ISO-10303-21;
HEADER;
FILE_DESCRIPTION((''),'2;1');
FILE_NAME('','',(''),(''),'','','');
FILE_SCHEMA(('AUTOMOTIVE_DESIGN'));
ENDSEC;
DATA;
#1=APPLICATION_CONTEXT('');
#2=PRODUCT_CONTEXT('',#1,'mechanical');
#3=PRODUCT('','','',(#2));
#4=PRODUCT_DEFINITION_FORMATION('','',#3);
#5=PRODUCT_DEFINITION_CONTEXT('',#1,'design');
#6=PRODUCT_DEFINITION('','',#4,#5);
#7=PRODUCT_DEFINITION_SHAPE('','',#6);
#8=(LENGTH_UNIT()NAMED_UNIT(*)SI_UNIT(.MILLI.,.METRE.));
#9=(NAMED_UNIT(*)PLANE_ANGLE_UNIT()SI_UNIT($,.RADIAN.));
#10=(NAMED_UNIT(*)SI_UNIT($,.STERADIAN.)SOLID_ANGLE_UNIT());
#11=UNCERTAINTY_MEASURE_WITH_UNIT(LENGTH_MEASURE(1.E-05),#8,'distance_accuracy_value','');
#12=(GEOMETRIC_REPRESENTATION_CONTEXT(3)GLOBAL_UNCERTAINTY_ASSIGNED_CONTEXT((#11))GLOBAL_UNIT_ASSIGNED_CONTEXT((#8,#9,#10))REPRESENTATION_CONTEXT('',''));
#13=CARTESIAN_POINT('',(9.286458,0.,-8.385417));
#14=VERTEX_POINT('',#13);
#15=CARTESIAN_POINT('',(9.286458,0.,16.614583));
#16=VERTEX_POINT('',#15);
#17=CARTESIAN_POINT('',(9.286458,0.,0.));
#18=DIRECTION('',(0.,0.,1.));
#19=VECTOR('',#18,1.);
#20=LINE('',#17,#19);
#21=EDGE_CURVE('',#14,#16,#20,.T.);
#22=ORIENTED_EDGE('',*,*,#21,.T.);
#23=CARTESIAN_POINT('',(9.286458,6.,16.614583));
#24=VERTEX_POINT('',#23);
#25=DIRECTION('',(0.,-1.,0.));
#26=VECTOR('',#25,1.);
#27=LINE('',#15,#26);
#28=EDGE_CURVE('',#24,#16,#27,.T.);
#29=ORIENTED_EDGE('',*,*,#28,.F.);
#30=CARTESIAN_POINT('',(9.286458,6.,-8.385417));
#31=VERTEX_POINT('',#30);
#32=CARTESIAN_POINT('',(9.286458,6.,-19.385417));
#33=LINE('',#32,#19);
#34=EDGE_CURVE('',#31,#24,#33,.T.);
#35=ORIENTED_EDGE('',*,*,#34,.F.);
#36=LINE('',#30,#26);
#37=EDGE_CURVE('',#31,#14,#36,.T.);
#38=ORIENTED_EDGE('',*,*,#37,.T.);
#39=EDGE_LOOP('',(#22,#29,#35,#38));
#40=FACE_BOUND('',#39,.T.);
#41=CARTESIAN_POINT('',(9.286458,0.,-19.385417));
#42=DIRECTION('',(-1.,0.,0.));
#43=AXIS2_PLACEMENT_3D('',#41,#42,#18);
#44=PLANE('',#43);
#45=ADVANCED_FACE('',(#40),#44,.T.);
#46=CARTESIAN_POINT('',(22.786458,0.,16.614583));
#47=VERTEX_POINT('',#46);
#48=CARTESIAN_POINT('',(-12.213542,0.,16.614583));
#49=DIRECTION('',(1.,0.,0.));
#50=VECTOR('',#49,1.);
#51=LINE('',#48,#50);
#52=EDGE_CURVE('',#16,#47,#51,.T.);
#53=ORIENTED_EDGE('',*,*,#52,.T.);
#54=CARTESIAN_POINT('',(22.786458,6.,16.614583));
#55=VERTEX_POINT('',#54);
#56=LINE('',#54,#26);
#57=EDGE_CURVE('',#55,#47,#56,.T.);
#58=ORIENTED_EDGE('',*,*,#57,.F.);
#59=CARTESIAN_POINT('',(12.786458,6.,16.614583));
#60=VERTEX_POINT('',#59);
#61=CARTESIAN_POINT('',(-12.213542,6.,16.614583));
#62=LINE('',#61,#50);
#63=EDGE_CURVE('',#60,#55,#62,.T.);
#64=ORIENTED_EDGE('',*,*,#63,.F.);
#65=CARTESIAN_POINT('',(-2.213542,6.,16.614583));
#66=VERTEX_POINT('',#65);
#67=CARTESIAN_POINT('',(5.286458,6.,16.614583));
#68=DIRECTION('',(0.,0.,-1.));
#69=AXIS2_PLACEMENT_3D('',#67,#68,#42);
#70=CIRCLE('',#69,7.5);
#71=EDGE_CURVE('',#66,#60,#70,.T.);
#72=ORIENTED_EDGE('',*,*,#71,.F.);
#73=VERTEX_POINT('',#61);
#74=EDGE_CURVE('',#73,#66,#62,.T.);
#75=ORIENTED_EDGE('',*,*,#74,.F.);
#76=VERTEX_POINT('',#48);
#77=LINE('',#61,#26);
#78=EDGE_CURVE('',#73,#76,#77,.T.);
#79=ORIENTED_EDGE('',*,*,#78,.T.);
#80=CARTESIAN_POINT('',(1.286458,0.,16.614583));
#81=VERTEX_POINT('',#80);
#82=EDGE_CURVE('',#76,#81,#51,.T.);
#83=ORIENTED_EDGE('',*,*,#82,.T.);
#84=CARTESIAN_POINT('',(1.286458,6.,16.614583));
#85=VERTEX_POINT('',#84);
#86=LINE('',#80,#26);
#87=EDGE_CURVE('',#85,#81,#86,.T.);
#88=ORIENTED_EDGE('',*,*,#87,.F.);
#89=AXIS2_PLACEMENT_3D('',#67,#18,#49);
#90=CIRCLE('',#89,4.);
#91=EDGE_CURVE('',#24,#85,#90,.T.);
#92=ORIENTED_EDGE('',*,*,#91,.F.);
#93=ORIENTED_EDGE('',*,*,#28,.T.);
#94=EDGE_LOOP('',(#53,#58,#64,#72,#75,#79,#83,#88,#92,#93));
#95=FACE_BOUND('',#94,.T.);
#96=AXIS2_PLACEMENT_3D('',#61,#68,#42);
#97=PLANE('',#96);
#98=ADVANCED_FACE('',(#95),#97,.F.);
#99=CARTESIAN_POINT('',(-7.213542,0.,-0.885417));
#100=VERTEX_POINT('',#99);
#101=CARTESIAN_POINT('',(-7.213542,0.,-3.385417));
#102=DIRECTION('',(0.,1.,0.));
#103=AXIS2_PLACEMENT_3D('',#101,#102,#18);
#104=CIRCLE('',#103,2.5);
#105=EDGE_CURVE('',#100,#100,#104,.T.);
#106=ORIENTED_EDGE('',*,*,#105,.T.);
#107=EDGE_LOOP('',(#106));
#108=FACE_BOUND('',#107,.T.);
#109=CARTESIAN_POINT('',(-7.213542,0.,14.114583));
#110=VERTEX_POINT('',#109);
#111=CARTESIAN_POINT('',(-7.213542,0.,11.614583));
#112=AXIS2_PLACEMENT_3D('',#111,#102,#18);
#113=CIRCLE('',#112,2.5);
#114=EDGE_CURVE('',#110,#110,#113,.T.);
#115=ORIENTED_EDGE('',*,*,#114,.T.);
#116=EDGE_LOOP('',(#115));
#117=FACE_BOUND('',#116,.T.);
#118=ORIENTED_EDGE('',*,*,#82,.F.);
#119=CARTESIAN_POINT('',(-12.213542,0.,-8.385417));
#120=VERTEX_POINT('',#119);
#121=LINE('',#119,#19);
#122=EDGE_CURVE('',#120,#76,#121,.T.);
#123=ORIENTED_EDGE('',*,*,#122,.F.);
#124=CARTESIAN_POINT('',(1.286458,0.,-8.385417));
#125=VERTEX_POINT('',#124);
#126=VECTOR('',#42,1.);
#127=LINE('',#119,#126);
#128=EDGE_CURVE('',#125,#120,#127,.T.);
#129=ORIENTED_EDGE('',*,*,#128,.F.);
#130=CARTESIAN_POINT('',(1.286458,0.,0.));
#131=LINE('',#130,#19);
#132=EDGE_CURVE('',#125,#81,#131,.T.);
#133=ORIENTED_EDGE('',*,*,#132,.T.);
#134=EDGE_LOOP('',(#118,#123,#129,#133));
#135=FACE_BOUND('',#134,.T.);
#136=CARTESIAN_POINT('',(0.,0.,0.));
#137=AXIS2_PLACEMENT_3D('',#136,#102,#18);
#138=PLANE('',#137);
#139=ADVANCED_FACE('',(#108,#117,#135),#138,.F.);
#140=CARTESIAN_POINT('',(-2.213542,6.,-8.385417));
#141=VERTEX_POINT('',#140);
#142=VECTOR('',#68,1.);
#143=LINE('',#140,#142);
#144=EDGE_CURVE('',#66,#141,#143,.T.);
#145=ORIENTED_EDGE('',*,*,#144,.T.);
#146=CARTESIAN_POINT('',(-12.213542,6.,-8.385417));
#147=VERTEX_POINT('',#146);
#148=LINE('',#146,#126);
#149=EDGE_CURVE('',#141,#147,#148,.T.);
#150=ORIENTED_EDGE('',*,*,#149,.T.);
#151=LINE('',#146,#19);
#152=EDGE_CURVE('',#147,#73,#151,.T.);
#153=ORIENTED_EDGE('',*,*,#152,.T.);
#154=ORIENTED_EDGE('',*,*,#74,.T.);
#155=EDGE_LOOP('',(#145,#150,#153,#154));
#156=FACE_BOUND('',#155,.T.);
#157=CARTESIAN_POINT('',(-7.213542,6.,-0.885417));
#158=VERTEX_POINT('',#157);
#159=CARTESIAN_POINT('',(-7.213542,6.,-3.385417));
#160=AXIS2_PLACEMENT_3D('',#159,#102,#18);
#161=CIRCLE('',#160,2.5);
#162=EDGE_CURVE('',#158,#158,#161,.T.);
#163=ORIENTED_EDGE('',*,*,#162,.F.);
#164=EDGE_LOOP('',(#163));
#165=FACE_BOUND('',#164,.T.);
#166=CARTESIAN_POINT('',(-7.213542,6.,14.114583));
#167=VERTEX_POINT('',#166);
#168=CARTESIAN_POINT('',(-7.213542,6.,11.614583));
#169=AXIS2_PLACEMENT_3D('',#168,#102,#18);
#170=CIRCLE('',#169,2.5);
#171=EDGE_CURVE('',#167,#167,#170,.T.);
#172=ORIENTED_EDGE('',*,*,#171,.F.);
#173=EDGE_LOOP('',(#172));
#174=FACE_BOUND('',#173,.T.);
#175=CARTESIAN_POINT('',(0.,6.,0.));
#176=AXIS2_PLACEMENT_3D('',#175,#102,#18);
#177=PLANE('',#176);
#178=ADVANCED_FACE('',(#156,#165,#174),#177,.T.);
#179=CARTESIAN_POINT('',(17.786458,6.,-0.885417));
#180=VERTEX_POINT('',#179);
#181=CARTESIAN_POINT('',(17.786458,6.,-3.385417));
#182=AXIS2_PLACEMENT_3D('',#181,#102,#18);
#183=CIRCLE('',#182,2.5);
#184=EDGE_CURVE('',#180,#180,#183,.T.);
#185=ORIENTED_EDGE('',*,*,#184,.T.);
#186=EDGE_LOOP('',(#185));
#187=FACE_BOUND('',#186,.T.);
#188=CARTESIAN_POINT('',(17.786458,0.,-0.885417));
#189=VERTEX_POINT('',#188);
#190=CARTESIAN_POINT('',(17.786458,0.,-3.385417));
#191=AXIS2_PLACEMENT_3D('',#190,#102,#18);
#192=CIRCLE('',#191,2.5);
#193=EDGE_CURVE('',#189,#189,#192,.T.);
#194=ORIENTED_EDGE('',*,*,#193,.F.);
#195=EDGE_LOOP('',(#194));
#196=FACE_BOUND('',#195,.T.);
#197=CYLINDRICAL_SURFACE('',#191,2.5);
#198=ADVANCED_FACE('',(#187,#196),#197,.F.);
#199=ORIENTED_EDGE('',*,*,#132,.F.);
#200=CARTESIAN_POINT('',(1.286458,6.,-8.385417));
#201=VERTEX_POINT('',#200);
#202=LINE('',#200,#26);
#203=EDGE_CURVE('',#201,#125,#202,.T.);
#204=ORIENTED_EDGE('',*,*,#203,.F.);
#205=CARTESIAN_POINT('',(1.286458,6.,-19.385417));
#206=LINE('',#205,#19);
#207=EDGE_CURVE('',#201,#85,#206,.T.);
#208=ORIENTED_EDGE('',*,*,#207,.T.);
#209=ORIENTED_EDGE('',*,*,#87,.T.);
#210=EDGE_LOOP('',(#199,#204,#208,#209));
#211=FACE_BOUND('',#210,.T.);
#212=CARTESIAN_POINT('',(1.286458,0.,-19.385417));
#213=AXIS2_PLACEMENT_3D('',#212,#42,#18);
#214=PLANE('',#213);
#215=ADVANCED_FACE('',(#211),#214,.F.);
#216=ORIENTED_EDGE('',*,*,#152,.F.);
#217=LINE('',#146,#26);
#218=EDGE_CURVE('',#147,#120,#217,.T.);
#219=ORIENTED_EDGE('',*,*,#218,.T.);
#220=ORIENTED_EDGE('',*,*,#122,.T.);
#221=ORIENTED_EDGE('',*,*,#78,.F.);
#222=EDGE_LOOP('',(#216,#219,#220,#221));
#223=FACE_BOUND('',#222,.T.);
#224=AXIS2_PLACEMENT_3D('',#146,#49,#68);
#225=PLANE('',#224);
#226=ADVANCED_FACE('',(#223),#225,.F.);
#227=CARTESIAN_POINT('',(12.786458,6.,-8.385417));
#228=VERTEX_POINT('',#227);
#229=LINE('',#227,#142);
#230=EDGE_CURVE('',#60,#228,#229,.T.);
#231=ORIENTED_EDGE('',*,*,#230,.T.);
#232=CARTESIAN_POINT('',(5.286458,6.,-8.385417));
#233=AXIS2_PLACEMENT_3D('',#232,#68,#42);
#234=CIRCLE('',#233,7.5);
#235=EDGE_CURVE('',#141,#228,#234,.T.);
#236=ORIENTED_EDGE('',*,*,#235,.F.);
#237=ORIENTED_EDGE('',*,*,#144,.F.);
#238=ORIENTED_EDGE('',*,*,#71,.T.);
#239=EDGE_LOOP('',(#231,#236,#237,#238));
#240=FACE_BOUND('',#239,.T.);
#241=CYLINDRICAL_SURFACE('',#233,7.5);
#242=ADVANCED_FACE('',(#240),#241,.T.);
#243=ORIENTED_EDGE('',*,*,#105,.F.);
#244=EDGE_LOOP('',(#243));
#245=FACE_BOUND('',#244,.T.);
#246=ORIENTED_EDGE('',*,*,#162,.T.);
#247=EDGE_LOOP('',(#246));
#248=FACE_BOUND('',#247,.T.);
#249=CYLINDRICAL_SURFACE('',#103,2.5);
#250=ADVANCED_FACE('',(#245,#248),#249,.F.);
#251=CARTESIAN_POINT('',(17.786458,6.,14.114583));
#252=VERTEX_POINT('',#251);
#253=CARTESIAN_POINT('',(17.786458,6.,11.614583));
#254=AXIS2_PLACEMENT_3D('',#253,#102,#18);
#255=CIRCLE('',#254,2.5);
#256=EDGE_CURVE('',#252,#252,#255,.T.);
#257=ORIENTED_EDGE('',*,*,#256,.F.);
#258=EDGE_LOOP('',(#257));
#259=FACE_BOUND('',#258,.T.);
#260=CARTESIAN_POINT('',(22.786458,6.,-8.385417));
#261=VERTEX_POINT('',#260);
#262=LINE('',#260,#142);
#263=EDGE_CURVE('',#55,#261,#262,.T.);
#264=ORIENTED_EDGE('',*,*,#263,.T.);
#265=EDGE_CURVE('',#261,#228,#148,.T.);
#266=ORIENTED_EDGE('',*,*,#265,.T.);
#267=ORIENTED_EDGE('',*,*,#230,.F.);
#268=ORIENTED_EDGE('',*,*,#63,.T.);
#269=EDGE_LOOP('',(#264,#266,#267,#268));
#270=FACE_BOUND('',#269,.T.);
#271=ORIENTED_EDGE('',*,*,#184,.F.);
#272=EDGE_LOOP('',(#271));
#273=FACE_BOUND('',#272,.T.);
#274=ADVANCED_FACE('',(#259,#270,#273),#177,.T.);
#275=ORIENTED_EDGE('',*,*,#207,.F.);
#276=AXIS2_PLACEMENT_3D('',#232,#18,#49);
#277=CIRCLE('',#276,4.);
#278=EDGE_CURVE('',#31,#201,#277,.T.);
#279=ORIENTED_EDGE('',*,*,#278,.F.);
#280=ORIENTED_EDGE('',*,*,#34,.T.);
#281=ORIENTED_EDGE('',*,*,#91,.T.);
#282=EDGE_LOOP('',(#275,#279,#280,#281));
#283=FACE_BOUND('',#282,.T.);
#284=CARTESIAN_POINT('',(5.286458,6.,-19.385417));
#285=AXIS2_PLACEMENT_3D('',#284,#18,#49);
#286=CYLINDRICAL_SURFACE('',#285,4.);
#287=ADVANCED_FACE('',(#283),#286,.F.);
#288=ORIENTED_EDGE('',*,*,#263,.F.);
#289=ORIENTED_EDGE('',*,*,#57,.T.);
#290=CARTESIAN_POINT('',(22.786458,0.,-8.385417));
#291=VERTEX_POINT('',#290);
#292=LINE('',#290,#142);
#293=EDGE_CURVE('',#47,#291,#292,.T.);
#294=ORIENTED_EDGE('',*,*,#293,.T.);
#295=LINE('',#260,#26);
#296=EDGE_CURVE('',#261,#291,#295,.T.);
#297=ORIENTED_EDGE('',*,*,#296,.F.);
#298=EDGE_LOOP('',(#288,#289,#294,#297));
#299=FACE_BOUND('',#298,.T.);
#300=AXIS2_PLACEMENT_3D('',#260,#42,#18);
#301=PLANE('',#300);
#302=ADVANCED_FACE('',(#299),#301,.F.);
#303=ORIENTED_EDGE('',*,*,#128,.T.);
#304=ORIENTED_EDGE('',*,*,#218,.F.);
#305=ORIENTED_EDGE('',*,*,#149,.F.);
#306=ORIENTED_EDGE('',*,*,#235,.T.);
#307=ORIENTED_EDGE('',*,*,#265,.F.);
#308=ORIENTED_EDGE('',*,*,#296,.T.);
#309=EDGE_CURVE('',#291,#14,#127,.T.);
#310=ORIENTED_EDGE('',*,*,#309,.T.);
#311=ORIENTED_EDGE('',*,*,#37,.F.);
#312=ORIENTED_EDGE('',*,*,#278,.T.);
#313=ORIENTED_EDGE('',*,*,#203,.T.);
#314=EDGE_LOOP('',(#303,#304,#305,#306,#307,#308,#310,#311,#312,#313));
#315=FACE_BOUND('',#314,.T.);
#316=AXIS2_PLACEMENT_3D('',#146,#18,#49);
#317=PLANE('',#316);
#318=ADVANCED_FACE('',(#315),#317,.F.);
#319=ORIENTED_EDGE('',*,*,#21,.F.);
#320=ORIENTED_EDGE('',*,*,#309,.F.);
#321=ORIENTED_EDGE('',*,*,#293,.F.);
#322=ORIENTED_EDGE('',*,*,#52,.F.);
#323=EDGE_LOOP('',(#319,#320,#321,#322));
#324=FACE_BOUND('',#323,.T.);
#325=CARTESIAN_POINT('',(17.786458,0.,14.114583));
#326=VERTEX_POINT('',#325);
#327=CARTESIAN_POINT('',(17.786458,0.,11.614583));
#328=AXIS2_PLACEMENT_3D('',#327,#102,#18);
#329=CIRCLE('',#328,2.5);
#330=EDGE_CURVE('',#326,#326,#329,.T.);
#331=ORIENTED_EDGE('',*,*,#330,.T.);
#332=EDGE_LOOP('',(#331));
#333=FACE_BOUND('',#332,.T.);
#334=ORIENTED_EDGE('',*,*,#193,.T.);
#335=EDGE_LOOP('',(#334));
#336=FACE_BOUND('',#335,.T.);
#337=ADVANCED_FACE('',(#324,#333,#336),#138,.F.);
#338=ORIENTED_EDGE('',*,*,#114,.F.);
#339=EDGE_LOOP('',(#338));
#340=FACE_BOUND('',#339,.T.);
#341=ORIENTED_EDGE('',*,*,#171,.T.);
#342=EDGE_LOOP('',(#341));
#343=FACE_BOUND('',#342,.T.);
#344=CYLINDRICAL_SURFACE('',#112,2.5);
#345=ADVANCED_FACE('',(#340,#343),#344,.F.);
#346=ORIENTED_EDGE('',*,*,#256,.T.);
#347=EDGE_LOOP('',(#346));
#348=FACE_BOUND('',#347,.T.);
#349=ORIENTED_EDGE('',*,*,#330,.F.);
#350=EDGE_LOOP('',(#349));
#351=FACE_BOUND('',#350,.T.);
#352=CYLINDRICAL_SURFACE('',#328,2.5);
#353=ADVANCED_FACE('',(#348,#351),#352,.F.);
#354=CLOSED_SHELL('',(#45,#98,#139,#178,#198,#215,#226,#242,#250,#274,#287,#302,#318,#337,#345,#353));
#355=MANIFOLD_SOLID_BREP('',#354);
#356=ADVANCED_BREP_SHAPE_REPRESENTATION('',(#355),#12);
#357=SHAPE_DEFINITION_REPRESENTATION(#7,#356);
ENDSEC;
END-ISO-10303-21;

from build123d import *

# Parameters (mm, degrees)
SKETCH1_W           = 35
SKETCH1_H           = 25
BOSS_EXTRUDE1_DEPTH = 6
SKETCH2_R           = 2.5
CUT_EXTRUDE1_DEPTH  = 6
SKETCH3_W           = 7.5
SKETCH3_H           = 25
REVOLVE1_ANGLE      = 180
CUT_EXTRUDE2_DEPTH  = 36


with BuildPart() as part:
    # Sketch1 → Boss-Extrude1 (new body)
    with BuildSketch(Plane(origin=(0, 0, 0), x_dir=(1, 0, 0), z_dir=(0, 1, 0))):
        with Locations((5.286458333, -4.114583333)):
            Rectangle(SKETCH1_W, SKETCH1_H)
    extrude(amount=BOSS_EXTRUDE1_DEPTH)

    # Sketch2 → Cut-Extrude1 (cut)
    with BuildSketch(Plane(origin=(0, 6, 0), x_dir=(1, 0, 0), z_dir=(0, 1, 0))):
        with Locations((-7.213541667, -11.614583333)):
            Circle(SKETCH2_R)
        with Locations((17.786458333, 3.385416667)):
            Circle(SKETCH2_R)
        with Locations((17.786458333, -11.614583333)):
            Circle(SKETCH2_R)
        with Locations((-7.213541667, 3.385416667)):
            Circle(SKETCH2_R)
    extrude(amount=-CUT_EXTRUDE1_DEPTH, mode=Mode.SUBTRACT)

    # Sketch3 → Revolve1 (revolve)
    with BuildSketch(Plane(origin=(0, 6, 0), x_dir=(1, 0, 0), z_dir=(0, 1, 0))):
        with Locations((9.036458333, -4.114583333)):
            Rectangle(SKETCH3_W, SKETCH3_H)
    revolve(axis=Axis((5.286458333, 6, -8.385416667), (0, 0, 1)), revolution_arc=REVOLVE1_ANGLE)

    # Sketch4 → Cut-Extrude2 (cut)
    with BuildSketch(Plane.XY.offset(16.614583333)):
        with BuildLine():
            ThreePointArc((9.286458333, 6), (5.286458333, 10), (1.286458333, 6))
            Line((1.286458333, 6), (9.286458333, 6))
        make_face()
        with BuildLine():
            Line((9.286458333, 6), (1.286458333, 6))
            ThreePointArc((1.286458333, 6), (5.286458333, 2), (9.286458333, 6))
        make_face()
        with BuildLine():
            ThreePointArc((9.286458333, 6), (5.286458333, 2), (1.286458333, 6))
            Line((1.286458333, 6), (1.286458333, 0))
            Line((1.286458333, 0), (9.286458333, 0))
            Line((9.286458333, 0), (9.286458333, 6))
        make_face()
    extrude(amount=-CUT_EXTRUDE2_DEPTH, mode=Mode.SUBTRACT)


solid = part.part
